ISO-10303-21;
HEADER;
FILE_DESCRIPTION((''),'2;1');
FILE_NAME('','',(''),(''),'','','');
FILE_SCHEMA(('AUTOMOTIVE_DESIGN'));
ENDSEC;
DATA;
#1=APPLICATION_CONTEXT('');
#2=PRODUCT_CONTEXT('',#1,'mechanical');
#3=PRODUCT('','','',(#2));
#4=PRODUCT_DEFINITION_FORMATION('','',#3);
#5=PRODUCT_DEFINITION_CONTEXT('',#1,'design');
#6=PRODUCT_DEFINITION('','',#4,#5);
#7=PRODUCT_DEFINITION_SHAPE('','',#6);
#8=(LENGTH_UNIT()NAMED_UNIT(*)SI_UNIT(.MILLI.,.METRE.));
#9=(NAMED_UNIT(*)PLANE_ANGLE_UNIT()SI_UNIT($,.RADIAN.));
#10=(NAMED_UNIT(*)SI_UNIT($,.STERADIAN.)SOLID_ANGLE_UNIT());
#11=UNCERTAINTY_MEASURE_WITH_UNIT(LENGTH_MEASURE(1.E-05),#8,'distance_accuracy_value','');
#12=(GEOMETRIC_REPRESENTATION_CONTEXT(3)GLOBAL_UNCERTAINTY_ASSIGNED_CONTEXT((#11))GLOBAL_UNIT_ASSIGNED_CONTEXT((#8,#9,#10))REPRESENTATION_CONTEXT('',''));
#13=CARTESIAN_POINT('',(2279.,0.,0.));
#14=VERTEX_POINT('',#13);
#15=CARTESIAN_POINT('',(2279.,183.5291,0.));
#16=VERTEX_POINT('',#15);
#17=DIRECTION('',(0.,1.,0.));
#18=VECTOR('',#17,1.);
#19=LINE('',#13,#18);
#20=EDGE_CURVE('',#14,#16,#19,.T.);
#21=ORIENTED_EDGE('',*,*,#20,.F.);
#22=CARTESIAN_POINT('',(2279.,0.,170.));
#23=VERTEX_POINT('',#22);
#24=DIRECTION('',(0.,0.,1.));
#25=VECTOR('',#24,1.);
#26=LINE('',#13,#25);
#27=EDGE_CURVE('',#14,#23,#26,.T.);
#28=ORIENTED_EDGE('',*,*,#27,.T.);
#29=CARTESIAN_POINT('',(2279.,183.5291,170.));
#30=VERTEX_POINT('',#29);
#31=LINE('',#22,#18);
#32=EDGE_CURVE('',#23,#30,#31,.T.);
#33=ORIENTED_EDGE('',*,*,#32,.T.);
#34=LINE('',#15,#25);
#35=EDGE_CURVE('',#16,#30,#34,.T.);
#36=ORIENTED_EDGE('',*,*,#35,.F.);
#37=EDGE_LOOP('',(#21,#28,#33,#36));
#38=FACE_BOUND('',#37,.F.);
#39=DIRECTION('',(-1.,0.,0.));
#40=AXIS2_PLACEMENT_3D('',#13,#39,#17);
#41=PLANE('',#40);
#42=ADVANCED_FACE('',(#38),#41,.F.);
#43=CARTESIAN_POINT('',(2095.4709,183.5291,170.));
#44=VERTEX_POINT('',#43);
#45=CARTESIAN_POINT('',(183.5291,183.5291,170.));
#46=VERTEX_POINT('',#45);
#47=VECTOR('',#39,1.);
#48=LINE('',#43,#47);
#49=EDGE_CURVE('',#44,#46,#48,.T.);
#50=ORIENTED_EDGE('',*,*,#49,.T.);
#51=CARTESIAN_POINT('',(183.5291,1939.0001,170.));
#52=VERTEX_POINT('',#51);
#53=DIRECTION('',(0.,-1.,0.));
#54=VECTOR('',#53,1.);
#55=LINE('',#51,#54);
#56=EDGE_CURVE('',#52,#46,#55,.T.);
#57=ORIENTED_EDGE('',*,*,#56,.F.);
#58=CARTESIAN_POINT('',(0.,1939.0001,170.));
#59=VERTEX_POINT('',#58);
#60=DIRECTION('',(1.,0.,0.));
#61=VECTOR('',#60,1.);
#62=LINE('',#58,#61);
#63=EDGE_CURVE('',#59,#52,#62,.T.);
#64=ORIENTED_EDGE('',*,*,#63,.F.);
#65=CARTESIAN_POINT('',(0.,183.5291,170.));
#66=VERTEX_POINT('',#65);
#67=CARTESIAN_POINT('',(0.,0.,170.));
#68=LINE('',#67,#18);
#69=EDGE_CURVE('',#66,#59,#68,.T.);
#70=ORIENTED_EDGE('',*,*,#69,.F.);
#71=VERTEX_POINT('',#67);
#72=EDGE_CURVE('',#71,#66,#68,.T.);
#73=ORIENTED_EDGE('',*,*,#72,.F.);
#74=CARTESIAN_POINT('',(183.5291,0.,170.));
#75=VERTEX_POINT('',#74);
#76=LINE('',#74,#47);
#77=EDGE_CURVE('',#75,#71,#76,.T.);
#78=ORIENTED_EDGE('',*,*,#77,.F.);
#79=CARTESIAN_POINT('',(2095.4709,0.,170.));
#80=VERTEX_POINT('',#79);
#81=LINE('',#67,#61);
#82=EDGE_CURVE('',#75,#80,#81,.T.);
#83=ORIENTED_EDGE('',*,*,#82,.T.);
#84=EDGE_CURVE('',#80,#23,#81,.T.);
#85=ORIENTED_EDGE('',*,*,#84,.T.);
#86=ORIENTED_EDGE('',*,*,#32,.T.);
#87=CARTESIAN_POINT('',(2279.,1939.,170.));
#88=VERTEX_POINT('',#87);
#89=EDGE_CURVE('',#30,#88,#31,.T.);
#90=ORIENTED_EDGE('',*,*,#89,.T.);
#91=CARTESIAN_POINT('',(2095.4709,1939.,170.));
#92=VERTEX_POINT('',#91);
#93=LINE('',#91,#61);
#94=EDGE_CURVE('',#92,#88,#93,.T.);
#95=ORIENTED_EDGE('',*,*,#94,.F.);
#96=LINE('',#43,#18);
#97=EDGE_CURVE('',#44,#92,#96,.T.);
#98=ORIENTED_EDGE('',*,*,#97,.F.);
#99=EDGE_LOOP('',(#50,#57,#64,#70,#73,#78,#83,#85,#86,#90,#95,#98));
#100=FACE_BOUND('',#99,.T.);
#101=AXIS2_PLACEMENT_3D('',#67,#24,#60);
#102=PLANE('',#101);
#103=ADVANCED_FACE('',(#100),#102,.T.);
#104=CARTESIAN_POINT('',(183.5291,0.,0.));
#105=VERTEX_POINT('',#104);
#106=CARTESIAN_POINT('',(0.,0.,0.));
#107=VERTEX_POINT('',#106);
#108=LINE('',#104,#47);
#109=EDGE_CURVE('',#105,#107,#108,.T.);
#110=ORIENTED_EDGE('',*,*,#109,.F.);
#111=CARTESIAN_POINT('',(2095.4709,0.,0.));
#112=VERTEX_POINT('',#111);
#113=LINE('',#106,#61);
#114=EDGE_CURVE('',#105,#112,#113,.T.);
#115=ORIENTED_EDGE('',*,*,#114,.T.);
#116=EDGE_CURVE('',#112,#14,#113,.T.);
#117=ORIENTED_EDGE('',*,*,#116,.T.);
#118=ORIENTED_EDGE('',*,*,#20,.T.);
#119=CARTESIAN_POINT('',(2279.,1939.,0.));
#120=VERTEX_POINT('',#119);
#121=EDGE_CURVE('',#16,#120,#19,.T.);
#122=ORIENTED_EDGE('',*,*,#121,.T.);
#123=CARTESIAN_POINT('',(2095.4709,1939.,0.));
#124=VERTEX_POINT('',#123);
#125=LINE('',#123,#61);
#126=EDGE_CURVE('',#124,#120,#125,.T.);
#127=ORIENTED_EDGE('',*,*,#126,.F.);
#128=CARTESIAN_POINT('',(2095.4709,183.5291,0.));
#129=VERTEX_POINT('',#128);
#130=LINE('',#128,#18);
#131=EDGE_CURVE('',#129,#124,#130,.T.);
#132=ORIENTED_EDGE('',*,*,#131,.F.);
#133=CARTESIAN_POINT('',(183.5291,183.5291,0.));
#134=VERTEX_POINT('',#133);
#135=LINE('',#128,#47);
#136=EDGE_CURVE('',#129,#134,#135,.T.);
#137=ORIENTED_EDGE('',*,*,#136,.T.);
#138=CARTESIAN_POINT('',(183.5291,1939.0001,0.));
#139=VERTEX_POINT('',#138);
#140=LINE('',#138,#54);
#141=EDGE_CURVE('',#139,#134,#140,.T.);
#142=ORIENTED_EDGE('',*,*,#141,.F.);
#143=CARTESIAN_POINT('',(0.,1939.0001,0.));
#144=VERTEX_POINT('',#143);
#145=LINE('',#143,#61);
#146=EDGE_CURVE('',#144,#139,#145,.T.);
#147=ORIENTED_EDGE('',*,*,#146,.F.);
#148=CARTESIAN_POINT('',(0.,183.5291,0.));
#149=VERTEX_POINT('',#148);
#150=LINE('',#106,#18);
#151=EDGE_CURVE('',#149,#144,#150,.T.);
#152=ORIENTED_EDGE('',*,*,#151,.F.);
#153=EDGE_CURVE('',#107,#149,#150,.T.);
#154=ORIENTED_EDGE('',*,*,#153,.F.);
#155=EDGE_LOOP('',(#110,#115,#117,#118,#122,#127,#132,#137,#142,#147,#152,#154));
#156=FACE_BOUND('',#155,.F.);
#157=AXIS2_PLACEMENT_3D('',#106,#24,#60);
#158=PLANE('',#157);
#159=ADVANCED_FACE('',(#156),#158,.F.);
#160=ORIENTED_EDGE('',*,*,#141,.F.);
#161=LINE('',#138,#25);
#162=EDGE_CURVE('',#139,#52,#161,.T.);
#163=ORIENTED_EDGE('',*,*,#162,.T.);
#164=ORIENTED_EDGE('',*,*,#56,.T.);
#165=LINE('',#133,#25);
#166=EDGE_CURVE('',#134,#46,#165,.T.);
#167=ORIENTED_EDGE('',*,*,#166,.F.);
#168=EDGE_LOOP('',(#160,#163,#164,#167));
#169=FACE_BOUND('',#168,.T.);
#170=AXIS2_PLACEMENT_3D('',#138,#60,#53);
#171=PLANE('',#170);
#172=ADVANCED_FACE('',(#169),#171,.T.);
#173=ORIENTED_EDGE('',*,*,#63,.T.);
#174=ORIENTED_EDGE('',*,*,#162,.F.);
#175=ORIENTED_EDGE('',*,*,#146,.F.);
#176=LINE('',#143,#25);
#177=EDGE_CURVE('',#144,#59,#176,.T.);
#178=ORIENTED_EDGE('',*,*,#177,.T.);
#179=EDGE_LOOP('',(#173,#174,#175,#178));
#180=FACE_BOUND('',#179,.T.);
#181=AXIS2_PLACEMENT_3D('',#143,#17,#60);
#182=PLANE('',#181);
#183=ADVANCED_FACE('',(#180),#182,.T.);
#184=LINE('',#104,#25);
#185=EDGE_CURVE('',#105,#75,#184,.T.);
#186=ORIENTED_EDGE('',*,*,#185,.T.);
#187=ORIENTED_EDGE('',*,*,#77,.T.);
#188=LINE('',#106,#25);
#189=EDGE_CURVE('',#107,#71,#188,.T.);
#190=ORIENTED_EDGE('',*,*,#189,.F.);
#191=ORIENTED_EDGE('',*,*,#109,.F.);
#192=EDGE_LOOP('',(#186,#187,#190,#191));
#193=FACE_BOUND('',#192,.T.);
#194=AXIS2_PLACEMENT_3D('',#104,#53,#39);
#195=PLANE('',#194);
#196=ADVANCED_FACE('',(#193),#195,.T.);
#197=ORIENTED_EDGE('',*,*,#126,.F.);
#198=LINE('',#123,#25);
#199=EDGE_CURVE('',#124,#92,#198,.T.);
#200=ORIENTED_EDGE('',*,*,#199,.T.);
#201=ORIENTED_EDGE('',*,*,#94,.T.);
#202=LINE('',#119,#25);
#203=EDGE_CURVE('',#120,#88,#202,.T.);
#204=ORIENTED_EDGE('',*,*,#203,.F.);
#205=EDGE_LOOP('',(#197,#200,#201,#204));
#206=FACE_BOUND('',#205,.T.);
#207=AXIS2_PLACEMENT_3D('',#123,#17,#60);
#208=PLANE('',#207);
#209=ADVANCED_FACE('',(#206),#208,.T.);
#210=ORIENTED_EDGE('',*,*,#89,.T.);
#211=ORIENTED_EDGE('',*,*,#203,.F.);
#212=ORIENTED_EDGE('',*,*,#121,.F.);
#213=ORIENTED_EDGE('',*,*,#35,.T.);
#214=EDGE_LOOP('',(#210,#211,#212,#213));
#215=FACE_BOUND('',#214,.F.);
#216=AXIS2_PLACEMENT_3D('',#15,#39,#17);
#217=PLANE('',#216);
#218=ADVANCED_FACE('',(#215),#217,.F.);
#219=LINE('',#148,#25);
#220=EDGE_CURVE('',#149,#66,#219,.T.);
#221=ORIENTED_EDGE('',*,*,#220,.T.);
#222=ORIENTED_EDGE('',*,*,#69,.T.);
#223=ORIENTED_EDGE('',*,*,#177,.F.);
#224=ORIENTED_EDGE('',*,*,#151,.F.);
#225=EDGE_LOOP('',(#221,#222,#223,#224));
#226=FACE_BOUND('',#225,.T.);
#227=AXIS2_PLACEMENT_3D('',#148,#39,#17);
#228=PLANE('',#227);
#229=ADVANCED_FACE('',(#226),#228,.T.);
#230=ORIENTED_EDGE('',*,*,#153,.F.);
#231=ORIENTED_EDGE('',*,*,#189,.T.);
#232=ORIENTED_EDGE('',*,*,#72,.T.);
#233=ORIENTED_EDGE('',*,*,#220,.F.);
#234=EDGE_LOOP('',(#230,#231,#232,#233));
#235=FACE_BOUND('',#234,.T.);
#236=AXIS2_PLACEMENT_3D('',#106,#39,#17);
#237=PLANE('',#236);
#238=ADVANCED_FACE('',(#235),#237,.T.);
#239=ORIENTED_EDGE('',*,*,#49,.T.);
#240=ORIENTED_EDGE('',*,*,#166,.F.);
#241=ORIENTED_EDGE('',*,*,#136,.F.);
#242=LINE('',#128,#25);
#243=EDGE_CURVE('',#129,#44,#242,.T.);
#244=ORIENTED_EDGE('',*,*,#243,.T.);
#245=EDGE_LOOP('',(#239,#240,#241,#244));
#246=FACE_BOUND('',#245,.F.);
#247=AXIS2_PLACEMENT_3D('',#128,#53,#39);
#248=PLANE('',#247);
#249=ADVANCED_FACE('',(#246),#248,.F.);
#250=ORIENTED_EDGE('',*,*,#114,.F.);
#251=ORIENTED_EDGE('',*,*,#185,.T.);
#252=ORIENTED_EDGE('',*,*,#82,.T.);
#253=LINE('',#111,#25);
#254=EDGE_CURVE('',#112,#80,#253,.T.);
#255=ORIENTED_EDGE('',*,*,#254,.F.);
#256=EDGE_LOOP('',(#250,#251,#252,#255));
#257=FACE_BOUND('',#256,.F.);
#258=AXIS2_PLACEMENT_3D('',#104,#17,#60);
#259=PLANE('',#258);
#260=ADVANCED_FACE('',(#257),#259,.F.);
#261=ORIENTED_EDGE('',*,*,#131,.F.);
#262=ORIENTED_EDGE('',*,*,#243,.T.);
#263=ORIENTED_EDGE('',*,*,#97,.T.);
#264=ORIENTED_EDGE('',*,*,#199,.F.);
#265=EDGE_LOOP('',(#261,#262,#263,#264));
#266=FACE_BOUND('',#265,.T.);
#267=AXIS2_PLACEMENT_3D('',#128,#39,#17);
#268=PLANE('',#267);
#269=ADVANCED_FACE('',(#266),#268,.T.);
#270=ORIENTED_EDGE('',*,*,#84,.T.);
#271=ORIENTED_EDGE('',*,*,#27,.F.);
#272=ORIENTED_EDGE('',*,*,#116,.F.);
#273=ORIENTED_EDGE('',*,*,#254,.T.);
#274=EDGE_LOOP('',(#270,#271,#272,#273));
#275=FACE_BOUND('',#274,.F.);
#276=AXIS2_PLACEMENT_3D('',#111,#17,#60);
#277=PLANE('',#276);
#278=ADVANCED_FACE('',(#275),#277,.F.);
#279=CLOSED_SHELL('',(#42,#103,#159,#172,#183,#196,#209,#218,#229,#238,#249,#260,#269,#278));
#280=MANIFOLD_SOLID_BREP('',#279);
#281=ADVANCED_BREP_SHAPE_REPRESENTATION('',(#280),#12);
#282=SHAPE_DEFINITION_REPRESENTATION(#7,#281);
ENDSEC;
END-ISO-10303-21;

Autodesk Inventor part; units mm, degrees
ref_plane "YZ Plane" through (0, 0, 0) normal (1, 0, 0) x (0, 1, 0)
ref_plane "XY Plane" through (0, 0, 0) normal (0, 0, 1) x (1, 0, 0)
sketch "スケッチ2" plane through (0, 0, 0) normal (0, 0, 1) x (1, 0, 0)
  line L0 (2279, 0) -> (2279, 1939)
  line L1 (0, 1939.0001) -> (183.5291, 1939.0001)
  line L2 (183.5291, 1939.0001) -> (183.5291, 183.5291)
  line L3 (183.5291, 0) -> (0, 0)
  line L4 (0, 0) -> (0, 1939.0001)
  line L5 (0, 0) -> (2279, 0)
  line L6 (2279, 0) -> (2279, 183.5291)
  line L7 (2095.4709, 183.5291) -> (183.5291, 183.5291)
  line L8 (0, 183.5291) -> (0, 0)
  line L9 (2279, 0) -> (2095.4709, 0)
  line L10 (2095.4709, 183.5291) -> (2095.4709, 1939)
  line L11 (2095.4709, 1939) -> (2279, 1939)
  line L12 (2279, 1939) -> (2279, 0)
  line L13 (2279, 1939) -> (2095.4709, 1939)
  line L14 (183.5291, 1939.0001) -> (0, 1939.0001)
  dimension "d10" = 2279
  dimension "d11" = 1939
  dimension "d12" = 1755.4709
  dimension "d13" = 1755.471
extrude "押し出し1" add sketch "スケッチ2" along normal blind 170
properties part number "rail"
